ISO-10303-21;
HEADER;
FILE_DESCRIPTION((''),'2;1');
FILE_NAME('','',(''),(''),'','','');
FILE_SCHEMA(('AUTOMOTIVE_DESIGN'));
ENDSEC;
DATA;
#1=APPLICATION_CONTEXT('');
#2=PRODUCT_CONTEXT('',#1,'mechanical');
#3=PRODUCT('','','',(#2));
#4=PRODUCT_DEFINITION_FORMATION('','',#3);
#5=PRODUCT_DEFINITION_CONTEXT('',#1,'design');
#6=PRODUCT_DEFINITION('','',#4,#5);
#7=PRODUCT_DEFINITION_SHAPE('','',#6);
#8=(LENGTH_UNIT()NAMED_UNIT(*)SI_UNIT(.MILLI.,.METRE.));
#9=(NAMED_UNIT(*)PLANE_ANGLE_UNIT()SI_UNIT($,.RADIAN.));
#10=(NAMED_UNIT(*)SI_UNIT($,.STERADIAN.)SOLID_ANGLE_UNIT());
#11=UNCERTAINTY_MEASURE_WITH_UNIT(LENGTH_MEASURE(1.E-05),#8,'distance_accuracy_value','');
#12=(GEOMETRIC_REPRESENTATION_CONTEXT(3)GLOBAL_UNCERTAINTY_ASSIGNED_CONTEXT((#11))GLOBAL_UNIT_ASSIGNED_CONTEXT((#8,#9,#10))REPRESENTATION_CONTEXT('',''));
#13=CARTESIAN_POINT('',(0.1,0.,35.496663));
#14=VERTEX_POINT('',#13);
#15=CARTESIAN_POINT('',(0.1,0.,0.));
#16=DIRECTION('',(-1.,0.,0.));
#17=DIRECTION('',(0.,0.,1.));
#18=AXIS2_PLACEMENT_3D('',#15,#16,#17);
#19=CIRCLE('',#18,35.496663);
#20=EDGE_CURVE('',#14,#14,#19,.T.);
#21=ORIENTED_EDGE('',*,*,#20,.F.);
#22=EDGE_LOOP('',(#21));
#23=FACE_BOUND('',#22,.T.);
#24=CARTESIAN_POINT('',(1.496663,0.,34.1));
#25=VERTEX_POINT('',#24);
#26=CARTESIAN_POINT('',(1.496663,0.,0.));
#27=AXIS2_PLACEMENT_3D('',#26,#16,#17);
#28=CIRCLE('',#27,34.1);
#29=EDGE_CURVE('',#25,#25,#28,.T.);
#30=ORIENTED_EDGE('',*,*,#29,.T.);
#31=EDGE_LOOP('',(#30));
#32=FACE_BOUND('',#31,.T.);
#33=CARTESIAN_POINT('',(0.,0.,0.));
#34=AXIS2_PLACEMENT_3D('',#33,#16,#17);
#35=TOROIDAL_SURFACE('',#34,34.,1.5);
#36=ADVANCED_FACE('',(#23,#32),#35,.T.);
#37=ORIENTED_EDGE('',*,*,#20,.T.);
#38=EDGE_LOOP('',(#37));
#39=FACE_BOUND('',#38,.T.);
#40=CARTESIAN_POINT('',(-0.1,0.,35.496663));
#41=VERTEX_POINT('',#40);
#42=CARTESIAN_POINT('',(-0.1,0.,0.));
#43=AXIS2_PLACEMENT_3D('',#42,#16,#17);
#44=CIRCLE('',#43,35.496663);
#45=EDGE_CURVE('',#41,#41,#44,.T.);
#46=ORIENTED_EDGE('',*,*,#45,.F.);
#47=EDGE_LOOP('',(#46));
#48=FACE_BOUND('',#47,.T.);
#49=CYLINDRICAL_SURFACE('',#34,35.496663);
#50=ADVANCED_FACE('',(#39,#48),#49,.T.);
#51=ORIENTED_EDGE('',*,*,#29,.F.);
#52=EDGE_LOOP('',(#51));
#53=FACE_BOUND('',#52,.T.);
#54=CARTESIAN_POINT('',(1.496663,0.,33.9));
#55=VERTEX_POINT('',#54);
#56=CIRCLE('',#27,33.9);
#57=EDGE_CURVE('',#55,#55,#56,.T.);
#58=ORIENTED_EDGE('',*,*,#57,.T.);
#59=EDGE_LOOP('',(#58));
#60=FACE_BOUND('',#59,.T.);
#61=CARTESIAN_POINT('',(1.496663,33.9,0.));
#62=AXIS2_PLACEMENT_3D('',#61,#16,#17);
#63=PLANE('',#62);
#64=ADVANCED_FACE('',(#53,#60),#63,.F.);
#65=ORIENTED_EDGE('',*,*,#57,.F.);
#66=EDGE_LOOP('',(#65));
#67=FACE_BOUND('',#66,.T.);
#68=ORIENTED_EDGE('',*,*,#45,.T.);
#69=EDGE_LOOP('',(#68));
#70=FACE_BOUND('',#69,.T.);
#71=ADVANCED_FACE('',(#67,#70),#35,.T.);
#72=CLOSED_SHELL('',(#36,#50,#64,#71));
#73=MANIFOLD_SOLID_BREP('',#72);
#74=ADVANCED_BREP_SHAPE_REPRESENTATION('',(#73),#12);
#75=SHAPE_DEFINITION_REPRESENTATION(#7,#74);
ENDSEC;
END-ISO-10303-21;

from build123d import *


with BuildPart() as part:
    # Skizze1 → Rotation1 (revolve)
    with BuildSketch(Plane.XY, mode=Mode.PRIVATE) as rotation1_sk:
        with BuildLine():
            Line((-0.1, 35.496662955), (0.1, 35.496662955))
            ThreePointArc((0.1, 35.496662955), (1.060660172, 35.060660172), (1.496662955, 34.1))
            Line((1.496662955, 34.1), (1.496662955, 33.9))
            ThreePointArc((1.496662955, 33.9), (-1.060660172, 32.939339828), (-0.1, 35.496662955))
        make_face()
    revolve(rotation1_sk.sketch.rotate(Axis((0, 0, 0), (1, 0, 0)), 90), axis=Axis((0, 0, 0), (1, 0, 0)))


solid = part.part
